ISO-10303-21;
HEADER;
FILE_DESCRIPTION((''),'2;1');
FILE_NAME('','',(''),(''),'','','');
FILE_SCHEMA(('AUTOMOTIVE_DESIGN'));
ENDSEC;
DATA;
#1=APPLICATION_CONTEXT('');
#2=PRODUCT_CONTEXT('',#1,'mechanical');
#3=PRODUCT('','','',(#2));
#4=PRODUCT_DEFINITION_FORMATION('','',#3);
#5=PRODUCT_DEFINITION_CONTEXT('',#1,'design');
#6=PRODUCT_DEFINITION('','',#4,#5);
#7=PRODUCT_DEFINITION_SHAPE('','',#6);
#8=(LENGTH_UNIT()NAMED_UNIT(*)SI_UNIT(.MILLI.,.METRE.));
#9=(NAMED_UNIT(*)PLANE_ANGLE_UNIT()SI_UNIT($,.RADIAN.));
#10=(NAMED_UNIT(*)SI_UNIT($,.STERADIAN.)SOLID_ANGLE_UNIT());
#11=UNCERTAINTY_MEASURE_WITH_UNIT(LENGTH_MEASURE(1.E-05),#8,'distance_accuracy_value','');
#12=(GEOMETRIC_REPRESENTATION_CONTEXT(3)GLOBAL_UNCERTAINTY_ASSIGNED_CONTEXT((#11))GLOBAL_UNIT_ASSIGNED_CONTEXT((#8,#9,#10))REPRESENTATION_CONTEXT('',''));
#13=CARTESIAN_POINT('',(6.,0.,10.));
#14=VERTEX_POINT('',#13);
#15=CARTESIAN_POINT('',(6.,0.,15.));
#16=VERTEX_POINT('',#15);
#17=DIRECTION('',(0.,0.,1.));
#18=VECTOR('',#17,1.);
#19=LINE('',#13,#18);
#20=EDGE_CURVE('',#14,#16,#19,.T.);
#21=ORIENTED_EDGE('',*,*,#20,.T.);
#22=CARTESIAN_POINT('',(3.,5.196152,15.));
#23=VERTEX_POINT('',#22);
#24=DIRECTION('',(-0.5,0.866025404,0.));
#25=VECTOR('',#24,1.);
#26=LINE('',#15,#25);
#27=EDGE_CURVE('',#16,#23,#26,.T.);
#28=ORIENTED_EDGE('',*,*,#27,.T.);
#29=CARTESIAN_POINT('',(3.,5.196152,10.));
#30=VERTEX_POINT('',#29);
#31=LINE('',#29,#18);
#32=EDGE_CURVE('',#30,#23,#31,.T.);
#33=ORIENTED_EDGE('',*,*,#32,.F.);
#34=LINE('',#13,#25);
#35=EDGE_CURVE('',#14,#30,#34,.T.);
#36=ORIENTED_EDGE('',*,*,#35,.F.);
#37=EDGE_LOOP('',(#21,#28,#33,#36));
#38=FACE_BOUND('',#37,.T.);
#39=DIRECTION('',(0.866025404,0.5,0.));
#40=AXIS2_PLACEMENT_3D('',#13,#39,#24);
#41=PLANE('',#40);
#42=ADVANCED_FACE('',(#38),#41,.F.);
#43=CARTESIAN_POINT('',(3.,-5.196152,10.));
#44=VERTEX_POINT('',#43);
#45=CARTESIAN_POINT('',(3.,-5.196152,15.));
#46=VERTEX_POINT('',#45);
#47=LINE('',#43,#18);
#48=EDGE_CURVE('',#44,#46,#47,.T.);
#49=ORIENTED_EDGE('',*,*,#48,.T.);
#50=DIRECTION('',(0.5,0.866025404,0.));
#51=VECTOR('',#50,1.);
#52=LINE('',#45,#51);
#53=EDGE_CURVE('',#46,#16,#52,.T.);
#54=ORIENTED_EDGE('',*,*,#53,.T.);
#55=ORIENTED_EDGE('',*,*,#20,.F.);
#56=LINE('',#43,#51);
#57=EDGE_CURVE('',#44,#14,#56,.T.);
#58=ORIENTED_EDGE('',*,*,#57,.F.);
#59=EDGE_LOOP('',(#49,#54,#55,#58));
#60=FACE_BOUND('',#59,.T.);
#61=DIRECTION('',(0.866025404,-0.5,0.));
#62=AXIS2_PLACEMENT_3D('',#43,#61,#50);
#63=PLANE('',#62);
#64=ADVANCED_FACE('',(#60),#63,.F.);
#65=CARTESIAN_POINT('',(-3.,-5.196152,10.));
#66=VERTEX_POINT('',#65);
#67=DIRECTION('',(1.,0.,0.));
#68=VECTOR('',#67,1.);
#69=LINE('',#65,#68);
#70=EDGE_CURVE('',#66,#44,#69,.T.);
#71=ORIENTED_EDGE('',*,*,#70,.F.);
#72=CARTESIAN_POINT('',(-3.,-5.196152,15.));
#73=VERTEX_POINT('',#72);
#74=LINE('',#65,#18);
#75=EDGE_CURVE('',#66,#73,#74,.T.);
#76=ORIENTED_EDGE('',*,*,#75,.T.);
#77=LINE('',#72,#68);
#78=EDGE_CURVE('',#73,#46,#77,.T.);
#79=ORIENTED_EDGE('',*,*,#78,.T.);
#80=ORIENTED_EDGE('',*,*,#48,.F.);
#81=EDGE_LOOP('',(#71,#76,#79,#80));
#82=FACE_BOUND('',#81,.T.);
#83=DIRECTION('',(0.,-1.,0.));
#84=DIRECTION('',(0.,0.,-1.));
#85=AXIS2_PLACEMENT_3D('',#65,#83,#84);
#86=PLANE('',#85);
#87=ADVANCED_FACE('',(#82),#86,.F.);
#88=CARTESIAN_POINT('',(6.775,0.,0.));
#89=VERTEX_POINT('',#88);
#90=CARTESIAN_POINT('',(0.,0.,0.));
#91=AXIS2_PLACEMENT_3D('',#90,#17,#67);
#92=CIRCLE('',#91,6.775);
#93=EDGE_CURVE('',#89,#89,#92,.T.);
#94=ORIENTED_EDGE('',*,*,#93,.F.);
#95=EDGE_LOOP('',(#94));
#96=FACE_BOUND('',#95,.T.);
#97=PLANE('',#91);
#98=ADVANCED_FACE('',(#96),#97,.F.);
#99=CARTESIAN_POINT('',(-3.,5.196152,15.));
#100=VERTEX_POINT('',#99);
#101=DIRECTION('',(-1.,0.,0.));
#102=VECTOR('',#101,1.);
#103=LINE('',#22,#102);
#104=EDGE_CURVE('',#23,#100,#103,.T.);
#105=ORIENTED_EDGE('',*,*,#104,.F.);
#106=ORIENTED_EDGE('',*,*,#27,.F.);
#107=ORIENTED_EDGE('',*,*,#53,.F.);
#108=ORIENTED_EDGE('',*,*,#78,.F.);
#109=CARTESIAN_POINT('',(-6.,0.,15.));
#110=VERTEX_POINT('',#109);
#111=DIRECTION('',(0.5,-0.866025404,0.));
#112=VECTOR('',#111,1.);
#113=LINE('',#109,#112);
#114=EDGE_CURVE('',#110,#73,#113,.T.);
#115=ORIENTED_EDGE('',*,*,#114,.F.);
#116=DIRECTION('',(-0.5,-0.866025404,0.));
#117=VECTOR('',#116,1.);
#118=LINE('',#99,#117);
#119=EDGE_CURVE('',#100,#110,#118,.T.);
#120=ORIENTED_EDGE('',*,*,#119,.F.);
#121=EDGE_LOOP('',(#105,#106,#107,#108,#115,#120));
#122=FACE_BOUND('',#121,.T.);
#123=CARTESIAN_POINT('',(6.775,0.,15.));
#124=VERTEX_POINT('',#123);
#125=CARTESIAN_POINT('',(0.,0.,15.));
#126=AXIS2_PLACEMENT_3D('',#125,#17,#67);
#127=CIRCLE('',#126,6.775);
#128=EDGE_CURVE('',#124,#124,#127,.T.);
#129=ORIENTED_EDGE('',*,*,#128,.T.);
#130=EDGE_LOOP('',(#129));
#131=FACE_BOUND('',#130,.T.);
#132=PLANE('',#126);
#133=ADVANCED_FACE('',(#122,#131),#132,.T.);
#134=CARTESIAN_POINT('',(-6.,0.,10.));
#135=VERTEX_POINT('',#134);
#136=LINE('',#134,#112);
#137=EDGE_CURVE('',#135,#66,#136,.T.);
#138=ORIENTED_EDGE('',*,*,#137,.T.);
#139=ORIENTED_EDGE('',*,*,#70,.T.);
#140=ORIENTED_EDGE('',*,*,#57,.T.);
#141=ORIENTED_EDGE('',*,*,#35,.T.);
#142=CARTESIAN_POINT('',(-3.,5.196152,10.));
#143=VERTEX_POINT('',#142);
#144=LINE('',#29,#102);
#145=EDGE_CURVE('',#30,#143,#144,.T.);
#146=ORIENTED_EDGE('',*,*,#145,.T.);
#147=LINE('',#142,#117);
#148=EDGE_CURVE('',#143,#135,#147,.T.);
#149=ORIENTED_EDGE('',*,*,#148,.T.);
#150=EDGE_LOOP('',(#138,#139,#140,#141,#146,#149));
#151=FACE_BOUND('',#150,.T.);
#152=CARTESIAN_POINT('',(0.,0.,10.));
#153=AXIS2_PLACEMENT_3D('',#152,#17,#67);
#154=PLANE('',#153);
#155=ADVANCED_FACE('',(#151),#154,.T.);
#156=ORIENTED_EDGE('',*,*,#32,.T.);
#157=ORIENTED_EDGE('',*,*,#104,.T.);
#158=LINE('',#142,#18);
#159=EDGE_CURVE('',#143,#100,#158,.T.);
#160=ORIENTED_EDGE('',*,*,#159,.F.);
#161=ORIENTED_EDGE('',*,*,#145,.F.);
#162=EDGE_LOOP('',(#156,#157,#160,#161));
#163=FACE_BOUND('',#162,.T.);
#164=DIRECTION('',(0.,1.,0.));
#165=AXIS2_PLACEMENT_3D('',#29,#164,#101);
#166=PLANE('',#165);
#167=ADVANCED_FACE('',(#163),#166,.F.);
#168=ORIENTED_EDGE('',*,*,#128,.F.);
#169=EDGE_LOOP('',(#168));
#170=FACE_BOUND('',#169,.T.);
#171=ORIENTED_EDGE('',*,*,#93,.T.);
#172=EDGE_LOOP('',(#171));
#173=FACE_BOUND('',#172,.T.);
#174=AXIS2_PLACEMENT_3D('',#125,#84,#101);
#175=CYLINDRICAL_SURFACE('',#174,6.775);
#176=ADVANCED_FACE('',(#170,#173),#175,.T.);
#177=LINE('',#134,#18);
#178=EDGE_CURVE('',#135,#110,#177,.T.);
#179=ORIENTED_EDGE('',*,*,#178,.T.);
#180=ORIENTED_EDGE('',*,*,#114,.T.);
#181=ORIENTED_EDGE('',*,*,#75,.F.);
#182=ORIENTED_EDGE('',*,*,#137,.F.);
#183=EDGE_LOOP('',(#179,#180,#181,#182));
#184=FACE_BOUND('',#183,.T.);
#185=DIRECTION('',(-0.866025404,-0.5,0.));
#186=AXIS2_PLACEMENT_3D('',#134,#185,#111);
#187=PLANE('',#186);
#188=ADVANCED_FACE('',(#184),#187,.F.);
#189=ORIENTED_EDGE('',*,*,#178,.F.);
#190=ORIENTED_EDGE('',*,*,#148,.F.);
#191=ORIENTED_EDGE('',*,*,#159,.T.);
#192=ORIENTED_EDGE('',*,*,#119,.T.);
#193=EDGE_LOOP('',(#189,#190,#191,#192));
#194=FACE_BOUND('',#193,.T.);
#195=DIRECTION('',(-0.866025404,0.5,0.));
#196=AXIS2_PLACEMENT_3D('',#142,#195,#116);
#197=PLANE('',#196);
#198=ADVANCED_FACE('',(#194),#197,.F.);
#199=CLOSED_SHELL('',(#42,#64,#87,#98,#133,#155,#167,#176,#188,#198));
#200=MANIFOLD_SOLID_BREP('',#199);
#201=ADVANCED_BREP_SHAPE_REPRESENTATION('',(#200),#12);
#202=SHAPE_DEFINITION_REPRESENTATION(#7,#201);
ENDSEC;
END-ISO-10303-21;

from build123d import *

# Parameters (mm, degrees)
SKETCH1_R           = 6.775
BOSS_EXTRUDE1_DEPTH = 15
CUT_EXTRUDE1_DEPTH  = 5


with BuildPart() as part:
    # Sketch1 → Boss-Extrude1 (new body)
    with BuildSketch(Plane.XY):
        Circle(SKETCH1_R)
    extrude(amount=BOSS_EXTRUDE1_DEPTH)

    # Sketch2 → Cut-Extrude1 (cut)
    with BuildSketch(Plane.XY.offset(15)):
        Polygon((-3, -5.196152423), (3, -5.196152423), (6, 0), (3, 5.196152423), (-3, 5.196152423), (-6, 0), align=None)
    extrude(amount=-CUT_EXTRUDE1_DEPTH, mode=Mode.SUBTRACT)


solid = part.part
